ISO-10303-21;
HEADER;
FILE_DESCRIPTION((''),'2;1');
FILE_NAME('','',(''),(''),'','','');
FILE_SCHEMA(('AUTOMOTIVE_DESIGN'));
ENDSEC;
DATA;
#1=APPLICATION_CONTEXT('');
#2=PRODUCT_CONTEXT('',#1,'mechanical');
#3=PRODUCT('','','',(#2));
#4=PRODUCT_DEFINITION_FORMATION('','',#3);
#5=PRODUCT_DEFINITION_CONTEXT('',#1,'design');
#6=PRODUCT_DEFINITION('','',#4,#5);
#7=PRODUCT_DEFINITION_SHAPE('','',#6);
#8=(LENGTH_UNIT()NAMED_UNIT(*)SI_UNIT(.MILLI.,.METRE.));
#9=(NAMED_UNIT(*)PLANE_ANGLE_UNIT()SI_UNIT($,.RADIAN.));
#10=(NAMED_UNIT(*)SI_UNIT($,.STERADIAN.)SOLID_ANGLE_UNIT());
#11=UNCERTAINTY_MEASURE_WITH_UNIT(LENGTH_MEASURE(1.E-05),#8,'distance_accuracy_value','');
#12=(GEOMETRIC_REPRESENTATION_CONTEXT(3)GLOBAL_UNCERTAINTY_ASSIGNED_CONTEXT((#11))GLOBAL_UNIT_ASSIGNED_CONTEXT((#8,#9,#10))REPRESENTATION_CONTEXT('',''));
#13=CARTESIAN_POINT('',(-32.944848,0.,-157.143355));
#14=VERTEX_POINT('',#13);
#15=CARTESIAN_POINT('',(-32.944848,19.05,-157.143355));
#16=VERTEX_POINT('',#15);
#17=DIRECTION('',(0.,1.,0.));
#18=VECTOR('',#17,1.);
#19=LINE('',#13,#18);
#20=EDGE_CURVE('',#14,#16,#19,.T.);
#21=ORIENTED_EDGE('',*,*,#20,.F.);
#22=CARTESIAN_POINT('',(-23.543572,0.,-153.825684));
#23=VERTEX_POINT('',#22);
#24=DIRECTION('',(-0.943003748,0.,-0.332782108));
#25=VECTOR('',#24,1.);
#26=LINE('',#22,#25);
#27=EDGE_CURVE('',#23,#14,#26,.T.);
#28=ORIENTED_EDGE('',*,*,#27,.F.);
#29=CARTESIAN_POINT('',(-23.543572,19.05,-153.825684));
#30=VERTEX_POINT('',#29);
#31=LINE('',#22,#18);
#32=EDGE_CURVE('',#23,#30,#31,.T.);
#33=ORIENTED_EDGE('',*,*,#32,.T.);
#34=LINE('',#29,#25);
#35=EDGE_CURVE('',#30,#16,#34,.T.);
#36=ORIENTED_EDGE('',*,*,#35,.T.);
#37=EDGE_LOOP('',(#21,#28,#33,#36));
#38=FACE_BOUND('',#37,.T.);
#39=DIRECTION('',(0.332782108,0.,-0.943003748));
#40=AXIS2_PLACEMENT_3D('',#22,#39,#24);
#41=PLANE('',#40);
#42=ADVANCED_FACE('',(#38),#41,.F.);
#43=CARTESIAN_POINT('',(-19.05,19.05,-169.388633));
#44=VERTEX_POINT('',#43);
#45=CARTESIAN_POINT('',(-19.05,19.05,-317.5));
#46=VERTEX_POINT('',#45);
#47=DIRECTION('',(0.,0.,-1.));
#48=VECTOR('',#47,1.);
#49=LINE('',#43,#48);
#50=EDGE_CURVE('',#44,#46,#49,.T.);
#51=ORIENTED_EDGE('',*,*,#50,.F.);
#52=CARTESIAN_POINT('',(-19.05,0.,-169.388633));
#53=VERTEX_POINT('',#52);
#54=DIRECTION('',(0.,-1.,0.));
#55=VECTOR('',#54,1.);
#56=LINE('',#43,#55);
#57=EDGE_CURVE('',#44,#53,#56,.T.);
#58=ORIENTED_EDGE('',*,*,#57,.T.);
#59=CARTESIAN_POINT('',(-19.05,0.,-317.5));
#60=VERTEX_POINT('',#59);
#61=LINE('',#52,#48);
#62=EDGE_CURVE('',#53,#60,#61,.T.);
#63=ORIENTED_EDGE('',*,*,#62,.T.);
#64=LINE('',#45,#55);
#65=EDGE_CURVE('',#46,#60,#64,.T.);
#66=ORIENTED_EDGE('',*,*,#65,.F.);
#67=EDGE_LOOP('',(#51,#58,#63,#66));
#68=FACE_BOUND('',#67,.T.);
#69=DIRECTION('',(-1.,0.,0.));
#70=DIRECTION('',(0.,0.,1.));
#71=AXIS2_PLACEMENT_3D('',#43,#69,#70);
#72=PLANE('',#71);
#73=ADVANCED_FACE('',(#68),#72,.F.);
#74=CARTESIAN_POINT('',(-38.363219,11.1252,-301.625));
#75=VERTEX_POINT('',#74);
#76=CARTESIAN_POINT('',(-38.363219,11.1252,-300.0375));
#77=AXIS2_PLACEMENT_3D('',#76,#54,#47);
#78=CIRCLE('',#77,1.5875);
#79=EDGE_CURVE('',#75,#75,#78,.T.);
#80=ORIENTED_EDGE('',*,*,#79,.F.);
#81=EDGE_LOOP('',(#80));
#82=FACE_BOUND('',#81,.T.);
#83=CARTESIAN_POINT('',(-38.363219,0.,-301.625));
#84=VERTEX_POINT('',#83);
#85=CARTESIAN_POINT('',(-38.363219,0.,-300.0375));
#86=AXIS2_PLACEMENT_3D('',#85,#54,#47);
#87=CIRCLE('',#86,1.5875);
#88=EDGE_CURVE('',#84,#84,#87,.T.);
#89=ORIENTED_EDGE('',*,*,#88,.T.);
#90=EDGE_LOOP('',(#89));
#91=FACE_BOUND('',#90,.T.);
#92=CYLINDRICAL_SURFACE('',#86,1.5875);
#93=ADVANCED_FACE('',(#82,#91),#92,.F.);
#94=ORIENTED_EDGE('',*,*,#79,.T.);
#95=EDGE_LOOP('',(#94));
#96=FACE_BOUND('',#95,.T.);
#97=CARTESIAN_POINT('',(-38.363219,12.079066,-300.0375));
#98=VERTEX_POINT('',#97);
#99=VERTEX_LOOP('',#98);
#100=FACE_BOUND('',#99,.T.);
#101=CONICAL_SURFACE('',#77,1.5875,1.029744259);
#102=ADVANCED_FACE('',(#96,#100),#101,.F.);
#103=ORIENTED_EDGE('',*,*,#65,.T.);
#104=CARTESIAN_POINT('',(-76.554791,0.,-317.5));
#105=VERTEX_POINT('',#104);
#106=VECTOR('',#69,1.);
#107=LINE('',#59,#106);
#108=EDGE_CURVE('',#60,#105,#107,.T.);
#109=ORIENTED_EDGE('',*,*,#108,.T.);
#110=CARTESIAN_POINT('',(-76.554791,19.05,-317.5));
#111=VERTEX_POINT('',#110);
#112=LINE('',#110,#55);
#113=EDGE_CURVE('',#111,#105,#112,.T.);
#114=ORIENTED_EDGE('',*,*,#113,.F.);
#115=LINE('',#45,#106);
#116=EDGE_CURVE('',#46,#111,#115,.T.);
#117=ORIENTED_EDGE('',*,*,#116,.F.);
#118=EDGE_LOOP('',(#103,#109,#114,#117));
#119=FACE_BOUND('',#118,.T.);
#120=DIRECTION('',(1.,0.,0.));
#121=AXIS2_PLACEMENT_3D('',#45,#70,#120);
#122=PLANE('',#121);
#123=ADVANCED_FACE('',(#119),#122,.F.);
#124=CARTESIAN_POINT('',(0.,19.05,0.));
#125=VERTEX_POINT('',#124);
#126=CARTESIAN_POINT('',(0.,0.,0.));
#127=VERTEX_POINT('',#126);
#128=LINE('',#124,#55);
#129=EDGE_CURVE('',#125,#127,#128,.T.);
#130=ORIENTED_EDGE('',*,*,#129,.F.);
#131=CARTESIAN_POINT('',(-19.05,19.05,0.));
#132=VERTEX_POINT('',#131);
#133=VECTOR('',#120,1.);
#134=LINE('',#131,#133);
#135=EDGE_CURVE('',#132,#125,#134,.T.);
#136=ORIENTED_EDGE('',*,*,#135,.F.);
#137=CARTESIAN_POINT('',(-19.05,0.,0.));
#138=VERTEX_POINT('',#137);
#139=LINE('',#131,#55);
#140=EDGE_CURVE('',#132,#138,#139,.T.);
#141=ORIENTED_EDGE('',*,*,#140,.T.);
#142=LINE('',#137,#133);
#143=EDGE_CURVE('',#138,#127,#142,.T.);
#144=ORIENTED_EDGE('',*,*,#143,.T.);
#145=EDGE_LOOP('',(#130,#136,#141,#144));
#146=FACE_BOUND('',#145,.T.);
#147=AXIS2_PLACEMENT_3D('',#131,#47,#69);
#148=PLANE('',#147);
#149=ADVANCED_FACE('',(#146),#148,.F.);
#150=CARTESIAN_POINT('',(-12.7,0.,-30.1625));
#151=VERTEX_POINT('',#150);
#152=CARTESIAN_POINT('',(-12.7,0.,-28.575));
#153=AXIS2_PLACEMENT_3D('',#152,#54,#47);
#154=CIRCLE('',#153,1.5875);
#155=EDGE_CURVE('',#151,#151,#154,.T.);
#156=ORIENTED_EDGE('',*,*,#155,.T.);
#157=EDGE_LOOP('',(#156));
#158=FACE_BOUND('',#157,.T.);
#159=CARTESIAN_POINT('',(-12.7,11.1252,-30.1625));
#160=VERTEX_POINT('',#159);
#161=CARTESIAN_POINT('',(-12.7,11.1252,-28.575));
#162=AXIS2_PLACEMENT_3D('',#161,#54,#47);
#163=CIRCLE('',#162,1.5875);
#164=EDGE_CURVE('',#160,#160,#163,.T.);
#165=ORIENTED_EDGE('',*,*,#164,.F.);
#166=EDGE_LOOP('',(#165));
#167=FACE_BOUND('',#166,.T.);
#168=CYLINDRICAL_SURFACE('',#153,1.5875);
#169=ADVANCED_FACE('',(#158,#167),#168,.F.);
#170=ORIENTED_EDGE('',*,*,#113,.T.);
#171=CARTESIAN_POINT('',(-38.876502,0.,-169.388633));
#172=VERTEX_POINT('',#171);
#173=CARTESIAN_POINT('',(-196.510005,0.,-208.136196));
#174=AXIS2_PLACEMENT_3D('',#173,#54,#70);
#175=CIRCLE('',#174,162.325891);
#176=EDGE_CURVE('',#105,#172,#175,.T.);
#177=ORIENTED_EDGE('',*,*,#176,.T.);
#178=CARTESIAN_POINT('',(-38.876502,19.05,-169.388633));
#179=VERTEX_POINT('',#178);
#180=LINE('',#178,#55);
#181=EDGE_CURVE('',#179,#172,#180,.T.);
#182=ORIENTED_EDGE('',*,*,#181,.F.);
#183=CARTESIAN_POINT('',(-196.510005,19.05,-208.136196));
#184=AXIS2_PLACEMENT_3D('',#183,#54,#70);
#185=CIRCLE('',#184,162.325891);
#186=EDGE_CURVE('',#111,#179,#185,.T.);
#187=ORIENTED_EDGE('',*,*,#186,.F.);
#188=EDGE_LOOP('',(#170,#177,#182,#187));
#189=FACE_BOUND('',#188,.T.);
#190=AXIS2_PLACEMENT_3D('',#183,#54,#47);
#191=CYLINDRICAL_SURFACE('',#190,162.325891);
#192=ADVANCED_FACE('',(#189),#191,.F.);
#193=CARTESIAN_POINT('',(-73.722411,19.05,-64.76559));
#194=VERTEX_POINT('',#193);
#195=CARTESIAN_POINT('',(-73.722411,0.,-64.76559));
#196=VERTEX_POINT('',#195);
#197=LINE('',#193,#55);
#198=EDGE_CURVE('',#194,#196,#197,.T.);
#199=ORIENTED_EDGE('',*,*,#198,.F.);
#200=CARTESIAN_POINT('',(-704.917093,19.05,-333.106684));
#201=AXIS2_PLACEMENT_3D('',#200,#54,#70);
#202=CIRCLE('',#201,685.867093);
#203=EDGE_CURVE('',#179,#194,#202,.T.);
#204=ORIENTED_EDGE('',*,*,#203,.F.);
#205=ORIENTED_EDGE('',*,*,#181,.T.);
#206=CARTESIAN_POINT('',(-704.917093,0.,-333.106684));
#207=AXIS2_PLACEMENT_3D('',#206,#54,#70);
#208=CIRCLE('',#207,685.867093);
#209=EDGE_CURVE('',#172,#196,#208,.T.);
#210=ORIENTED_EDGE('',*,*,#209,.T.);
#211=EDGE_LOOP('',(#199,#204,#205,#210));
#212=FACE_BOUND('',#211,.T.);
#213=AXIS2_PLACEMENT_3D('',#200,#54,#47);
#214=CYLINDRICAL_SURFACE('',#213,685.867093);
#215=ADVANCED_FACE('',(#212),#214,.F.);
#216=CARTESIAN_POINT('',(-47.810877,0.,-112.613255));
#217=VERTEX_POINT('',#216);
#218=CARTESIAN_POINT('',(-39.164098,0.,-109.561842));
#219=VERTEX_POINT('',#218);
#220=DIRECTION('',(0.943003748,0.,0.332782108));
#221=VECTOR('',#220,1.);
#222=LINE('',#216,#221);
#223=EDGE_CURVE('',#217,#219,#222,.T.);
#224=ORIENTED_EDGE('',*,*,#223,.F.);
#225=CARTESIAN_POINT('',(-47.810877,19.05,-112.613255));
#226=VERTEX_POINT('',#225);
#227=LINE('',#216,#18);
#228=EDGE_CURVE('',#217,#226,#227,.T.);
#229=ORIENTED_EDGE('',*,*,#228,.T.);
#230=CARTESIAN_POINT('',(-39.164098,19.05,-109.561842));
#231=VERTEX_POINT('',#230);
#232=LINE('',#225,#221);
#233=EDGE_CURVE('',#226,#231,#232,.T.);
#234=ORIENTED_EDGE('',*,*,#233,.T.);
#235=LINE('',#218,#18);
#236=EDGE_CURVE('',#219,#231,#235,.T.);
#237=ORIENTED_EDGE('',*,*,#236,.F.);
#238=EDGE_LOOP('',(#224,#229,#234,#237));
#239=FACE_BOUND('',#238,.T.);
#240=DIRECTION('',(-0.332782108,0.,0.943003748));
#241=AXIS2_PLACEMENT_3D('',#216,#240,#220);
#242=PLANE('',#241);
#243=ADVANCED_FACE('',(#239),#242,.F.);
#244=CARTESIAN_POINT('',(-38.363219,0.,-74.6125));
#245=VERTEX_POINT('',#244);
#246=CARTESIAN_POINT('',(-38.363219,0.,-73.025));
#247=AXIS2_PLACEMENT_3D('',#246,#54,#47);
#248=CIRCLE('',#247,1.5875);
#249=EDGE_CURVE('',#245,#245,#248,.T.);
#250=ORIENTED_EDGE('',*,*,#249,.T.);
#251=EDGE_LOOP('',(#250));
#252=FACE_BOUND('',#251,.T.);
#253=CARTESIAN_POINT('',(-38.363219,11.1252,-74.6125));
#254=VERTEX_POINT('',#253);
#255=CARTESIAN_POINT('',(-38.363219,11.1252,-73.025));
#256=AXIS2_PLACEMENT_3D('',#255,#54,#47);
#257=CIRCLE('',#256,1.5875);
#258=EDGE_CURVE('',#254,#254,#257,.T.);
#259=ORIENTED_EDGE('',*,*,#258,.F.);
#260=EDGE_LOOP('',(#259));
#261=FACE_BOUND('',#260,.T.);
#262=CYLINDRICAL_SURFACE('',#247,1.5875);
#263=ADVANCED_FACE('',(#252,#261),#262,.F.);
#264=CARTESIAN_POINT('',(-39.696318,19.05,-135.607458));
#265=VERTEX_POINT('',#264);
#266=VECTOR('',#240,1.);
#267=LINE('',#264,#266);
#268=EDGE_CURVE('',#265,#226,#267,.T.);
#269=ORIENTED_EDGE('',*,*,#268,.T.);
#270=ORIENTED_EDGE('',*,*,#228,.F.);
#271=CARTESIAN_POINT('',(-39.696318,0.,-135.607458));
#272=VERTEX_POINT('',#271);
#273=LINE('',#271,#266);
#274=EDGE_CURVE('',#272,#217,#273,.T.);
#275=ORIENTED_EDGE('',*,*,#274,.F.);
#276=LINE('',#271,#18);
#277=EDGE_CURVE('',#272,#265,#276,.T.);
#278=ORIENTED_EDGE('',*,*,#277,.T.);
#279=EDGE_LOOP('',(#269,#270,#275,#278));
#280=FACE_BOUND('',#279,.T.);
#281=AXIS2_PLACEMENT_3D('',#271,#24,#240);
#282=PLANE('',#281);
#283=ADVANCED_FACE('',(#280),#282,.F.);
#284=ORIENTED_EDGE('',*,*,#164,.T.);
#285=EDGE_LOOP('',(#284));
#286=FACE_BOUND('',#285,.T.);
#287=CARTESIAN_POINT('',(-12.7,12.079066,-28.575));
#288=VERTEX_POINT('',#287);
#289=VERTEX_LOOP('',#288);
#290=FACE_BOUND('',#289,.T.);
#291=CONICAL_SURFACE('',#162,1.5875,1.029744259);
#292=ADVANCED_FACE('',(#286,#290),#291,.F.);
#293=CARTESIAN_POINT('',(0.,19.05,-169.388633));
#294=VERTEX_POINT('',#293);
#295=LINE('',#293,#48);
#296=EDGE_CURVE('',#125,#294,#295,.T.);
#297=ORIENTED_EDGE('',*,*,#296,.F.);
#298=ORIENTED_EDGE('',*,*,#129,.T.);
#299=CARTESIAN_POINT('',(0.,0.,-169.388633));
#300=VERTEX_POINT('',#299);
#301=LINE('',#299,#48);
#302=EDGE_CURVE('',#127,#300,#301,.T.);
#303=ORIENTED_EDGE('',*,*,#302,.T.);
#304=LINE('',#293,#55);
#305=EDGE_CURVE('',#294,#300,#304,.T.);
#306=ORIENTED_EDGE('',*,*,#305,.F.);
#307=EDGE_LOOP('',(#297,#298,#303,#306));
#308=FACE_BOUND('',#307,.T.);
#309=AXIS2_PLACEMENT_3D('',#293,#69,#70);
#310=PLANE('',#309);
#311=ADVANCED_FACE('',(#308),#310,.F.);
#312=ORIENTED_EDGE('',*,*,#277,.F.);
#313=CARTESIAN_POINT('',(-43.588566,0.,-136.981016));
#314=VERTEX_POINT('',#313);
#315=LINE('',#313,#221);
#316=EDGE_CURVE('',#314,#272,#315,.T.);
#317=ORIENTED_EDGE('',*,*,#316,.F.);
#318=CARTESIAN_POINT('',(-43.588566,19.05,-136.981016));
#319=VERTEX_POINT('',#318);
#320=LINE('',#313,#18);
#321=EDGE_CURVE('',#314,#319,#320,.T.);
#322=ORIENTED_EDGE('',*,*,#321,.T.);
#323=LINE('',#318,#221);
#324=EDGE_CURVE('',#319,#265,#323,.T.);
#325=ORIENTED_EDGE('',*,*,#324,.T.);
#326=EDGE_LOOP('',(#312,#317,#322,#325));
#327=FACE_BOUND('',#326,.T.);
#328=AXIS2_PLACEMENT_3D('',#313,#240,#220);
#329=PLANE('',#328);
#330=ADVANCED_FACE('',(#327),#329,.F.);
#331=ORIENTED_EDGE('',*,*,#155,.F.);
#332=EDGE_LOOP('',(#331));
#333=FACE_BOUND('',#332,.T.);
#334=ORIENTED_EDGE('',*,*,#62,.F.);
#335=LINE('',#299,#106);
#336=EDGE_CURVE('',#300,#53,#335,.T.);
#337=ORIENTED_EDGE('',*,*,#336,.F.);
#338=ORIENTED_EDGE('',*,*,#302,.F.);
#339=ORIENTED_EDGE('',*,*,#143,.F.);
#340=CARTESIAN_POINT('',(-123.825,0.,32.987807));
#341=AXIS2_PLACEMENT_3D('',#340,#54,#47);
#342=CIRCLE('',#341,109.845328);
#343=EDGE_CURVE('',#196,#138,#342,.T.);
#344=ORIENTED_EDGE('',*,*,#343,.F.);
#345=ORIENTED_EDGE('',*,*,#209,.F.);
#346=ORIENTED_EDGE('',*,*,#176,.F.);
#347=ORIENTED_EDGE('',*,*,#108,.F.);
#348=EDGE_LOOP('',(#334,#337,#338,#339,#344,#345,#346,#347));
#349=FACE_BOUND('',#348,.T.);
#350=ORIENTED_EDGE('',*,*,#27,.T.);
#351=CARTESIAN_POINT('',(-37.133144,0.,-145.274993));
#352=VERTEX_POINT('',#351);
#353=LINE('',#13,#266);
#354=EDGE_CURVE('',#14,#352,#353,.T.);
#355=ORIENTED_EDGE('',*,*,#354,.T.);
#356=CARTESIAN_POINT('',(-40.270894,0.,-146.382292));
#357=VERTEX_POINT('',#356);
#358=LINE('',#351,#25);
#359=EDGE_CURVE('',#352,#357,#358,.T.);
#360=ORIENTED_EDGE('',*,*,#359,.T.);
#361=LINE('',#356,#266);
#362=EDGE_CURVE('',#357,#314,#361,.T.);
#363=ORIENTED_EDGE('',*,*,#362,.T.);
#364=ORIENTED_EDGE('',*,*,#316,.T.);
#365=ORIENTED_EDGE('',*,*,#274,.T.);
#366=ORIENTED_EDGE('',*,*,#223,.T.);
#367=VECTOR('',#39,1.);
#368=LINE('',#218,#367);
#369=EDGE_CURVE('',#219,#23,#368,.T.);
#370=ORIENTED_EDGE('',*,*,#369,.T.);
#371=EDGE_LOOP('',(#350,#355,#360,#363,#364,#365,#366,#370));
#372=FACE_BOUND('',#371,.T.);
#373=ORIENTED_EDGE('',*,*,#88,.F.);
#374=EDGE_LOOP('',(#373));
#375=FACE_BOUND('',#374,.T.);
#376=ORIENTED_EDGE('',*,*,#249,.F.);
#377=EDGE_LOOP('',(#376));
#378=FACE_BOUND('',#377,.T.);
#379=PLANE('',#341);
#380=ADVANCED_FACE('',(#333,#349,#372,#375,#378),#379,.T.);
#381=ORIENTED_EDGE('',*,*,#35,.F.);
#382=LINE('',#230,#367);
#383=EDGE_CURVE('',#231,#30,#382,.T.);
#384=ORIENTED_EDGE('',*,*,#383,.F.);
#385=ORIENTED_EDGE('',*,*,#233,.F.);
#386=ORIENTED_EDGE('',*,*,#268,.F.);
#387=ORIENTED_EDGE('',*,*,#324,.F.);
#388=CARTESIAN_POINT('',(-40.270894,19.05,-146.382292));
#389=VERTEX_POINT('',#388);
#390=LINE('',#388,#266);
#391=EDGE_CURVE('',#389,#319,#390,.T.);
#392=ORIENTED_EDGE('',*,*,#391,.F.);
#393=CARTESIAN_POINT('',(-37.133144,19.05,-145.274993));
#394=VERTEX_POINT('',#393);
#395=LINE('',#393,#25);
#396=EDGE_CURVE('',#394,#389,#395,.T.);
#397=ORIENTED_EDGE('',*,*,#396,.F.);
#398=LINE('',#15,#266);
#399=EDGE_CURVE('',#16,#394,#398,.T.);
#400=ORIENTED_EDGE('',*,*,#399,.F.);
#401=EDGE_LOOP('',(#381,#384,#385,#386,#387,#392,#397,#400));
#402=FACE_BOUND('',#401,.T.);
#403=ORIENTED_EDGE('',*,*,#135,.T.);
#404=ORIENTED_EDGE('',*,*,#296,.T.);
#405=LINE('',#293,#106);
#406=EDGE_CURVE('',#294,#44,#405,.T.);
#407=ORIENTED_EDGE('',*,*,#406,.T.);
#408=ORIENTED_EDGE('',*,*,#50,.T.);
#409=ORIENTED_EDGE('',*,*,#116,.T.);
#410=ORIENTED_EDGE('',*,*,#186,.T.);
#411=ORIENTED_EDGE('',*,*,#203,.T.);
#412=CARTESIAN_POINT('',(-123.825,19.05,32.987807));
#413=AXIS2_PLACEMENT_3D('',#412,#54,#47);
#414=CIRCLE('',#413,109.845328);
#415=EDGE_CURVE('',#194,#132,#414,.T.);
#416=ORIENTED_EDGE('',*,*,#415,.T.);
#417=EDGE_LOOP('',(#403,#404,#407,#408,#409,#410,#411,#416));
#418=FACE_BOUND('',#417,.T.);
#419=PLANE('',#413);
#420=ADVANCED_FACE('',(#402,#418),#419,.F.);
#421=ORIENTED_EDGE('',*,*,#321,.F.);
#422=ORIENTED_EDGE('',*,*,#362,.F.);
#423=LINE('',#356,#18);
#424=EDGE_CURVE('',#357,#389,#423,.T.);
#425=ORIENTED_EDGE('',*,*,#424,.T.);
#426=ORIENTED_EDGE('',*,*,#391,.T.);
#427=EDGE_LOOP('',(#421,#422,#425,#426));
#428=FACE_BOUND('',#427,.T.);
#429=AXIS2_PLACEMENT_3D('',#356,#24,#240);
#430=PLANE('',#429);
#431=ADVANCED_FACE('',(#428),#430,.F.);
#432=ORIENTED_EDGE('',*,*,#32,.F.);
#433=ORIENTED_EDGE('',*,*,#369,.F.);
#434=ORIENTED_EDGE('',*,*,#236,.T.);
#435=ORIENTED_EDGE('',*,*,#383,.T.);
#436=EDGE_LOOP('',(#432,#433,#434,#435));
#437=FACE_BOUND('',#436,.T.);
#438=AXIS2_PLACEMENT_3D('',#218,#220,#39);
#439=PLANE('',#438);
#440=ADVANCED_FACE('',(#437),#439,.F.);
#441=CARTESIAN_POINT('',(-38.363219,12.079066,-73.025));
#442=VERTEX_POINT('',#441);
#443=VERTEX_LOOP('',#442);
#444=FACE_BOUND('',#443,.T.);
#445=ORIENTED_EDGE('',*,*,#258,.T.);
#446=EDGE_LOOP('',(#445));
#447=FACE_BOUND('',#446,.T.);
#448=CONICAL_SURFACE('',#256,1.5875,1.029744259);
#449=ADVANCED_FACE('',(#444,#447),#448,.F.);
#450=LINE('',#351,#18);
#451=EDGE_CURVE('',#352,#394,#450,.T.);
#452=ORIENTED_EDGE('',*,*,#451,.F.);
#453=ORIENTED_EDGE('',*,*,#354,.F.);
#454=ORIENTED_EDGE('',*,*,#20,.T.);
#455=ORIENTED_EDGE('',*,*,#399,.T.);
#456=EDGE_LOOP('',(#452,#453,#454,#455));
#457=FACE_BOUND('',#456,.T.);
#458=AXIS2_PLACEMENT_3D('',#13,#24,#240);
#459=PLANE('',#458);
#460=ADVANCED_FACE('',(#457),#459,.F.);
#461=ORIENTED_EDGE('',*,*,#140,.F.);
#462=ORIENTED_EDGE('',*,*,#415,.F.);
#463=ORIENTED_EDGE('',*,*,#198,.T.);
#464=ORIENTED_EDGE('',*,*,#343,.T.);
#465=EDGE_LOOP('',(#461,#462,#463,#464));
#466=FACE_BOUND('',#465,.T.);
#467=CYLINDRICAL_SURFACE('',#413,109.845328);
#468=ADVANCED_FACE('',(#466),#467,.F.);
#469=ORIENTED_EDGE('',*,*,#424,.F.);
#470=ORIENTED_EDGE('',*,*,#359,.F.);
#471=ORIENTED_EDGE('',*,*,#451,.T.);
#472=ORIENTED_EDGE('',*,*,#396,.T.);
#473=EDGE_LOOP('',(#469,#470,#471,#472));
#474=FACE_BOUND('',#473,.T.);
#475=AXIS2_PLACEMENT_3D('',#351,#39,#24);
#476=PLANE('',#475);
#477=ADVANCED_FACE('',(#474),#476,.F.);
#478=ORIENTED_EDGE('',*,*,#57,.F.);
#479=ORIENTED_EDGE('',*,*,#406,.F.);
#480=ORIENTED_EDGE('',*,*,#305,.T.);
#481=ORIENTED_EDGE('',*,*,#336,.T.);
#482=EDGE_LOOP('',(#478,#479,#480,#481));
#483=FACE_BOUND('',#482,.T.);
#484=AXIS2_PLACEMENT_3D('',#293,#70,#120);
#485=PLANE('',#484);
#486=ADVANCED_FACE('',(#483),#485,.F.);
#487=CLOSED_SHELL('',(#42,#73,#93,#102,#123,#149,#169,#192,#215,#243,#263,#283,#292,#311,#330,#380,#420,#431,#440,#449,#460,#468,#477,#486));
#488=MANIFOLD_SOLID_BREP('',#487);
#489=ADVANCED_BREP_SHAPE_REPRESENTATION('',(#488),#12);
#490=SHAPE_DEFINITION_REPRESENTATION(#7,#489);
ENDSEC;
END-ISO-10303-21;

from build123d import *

# Parameters (mm, degrees)
BOSS_EXTRUDE1_DEPTH              = 19.05
CUT_EXTRUDE2_DEPTH               = 328.154074659
F_1_8_0_125_DIAMETER_HOLE1_D     = 3.175
F_1_8_0_125_DIAMETER_HOLE1_DEPTH = 11.1252
F_1_8_0_125_DIAMETER_HOLE1_TIP   = 0.953866233


with BuildPart() as part:
    # Sketch1 → Boss-Extrude1 (new body)
    with BuildSketch(Plane(origin=(0, 0, 0), x_dir=(1, 0, 0), z_dir=(0, 1, 0))):
        with BuildLine():
            Line((0, 169.388632852), (0, 0))
            Line((0, 0), (-19.05, 0))
            ThreePointArc((-19.05, 0), (-39.88804557, 37.868270719), (-73.722410895, 64.765590165))
            ThreePointArc((-73.722410895, 64.765590165), (-54.193392954, 116.375662835), (-38.876501861, 169.388632852))
            ThreePointArc((-38.876501861, 169.388632852), (-39.194658591, 248.155900408), (-76.554791267, 317.5))
            Line((-76.554791267, 317.5), (-19.05, 317.5))
            Line((-19.05, 317.5), (-19.05, 169.388632852))
            Line((-19.05, 169.388632852), (0, 169.388632852))
        make_face()
    extrude(amount=BOSS_EXTRUDE1_DEPTH)

    # Sketch2 → Cut-Extrude2 (cut, through all)
    with BuildSketch(Plane(origin=(0, 19.05, 0), x_dir=(1, 0, 0), z_dir=(0, 1, 0))):
        Polygon((-39.164098049, 109.561842364), (-23.543572116, 153.825683885), (-32.944847981, 157.143355113), (-37.133143759, 145.274992843), (-40.27089443, 146.38229203), (-43.588565658, 136.981016166), (-39.696317688, 135.607458014), (-47.810876614, 112.613254626), align=None)
    extrude(amount=-CUT_EXTRUDE2_DEPTH, mode=Mode.SUBTRACT)

    # 1/8 (0.125) Diameter Hole1
    with Locations(Plane(origin=(0, 0, 0), x_dir=(-1, 0, 0), z_dir=(0, -1, 0))):
        with Locations((12.7, 28.575), (38.363219465, 73.025), (38.363219465, 300.0375)):
            Hole(F_1_8_0_125_DIAMETER_HOLE1_D / 2, depth=F_1_8_0_125_DIAMETER_HOLE1_DEPTH)
            with Locations((0, 0, -(F_1_8_0_125_DIAMETER_HOLE1_DEPTH + F_1_8_0_125_DIAMETER_HOLE1_TIP / 2))):  # 118° drill point
                Cone(0, F_1_8_0_125_DIAMETER_HOLE1_D / 2, F_1_8_0_125_DIAMETER_HOLE1_TIP, mode=Mode.SUBTRACT)


solid = part.part
